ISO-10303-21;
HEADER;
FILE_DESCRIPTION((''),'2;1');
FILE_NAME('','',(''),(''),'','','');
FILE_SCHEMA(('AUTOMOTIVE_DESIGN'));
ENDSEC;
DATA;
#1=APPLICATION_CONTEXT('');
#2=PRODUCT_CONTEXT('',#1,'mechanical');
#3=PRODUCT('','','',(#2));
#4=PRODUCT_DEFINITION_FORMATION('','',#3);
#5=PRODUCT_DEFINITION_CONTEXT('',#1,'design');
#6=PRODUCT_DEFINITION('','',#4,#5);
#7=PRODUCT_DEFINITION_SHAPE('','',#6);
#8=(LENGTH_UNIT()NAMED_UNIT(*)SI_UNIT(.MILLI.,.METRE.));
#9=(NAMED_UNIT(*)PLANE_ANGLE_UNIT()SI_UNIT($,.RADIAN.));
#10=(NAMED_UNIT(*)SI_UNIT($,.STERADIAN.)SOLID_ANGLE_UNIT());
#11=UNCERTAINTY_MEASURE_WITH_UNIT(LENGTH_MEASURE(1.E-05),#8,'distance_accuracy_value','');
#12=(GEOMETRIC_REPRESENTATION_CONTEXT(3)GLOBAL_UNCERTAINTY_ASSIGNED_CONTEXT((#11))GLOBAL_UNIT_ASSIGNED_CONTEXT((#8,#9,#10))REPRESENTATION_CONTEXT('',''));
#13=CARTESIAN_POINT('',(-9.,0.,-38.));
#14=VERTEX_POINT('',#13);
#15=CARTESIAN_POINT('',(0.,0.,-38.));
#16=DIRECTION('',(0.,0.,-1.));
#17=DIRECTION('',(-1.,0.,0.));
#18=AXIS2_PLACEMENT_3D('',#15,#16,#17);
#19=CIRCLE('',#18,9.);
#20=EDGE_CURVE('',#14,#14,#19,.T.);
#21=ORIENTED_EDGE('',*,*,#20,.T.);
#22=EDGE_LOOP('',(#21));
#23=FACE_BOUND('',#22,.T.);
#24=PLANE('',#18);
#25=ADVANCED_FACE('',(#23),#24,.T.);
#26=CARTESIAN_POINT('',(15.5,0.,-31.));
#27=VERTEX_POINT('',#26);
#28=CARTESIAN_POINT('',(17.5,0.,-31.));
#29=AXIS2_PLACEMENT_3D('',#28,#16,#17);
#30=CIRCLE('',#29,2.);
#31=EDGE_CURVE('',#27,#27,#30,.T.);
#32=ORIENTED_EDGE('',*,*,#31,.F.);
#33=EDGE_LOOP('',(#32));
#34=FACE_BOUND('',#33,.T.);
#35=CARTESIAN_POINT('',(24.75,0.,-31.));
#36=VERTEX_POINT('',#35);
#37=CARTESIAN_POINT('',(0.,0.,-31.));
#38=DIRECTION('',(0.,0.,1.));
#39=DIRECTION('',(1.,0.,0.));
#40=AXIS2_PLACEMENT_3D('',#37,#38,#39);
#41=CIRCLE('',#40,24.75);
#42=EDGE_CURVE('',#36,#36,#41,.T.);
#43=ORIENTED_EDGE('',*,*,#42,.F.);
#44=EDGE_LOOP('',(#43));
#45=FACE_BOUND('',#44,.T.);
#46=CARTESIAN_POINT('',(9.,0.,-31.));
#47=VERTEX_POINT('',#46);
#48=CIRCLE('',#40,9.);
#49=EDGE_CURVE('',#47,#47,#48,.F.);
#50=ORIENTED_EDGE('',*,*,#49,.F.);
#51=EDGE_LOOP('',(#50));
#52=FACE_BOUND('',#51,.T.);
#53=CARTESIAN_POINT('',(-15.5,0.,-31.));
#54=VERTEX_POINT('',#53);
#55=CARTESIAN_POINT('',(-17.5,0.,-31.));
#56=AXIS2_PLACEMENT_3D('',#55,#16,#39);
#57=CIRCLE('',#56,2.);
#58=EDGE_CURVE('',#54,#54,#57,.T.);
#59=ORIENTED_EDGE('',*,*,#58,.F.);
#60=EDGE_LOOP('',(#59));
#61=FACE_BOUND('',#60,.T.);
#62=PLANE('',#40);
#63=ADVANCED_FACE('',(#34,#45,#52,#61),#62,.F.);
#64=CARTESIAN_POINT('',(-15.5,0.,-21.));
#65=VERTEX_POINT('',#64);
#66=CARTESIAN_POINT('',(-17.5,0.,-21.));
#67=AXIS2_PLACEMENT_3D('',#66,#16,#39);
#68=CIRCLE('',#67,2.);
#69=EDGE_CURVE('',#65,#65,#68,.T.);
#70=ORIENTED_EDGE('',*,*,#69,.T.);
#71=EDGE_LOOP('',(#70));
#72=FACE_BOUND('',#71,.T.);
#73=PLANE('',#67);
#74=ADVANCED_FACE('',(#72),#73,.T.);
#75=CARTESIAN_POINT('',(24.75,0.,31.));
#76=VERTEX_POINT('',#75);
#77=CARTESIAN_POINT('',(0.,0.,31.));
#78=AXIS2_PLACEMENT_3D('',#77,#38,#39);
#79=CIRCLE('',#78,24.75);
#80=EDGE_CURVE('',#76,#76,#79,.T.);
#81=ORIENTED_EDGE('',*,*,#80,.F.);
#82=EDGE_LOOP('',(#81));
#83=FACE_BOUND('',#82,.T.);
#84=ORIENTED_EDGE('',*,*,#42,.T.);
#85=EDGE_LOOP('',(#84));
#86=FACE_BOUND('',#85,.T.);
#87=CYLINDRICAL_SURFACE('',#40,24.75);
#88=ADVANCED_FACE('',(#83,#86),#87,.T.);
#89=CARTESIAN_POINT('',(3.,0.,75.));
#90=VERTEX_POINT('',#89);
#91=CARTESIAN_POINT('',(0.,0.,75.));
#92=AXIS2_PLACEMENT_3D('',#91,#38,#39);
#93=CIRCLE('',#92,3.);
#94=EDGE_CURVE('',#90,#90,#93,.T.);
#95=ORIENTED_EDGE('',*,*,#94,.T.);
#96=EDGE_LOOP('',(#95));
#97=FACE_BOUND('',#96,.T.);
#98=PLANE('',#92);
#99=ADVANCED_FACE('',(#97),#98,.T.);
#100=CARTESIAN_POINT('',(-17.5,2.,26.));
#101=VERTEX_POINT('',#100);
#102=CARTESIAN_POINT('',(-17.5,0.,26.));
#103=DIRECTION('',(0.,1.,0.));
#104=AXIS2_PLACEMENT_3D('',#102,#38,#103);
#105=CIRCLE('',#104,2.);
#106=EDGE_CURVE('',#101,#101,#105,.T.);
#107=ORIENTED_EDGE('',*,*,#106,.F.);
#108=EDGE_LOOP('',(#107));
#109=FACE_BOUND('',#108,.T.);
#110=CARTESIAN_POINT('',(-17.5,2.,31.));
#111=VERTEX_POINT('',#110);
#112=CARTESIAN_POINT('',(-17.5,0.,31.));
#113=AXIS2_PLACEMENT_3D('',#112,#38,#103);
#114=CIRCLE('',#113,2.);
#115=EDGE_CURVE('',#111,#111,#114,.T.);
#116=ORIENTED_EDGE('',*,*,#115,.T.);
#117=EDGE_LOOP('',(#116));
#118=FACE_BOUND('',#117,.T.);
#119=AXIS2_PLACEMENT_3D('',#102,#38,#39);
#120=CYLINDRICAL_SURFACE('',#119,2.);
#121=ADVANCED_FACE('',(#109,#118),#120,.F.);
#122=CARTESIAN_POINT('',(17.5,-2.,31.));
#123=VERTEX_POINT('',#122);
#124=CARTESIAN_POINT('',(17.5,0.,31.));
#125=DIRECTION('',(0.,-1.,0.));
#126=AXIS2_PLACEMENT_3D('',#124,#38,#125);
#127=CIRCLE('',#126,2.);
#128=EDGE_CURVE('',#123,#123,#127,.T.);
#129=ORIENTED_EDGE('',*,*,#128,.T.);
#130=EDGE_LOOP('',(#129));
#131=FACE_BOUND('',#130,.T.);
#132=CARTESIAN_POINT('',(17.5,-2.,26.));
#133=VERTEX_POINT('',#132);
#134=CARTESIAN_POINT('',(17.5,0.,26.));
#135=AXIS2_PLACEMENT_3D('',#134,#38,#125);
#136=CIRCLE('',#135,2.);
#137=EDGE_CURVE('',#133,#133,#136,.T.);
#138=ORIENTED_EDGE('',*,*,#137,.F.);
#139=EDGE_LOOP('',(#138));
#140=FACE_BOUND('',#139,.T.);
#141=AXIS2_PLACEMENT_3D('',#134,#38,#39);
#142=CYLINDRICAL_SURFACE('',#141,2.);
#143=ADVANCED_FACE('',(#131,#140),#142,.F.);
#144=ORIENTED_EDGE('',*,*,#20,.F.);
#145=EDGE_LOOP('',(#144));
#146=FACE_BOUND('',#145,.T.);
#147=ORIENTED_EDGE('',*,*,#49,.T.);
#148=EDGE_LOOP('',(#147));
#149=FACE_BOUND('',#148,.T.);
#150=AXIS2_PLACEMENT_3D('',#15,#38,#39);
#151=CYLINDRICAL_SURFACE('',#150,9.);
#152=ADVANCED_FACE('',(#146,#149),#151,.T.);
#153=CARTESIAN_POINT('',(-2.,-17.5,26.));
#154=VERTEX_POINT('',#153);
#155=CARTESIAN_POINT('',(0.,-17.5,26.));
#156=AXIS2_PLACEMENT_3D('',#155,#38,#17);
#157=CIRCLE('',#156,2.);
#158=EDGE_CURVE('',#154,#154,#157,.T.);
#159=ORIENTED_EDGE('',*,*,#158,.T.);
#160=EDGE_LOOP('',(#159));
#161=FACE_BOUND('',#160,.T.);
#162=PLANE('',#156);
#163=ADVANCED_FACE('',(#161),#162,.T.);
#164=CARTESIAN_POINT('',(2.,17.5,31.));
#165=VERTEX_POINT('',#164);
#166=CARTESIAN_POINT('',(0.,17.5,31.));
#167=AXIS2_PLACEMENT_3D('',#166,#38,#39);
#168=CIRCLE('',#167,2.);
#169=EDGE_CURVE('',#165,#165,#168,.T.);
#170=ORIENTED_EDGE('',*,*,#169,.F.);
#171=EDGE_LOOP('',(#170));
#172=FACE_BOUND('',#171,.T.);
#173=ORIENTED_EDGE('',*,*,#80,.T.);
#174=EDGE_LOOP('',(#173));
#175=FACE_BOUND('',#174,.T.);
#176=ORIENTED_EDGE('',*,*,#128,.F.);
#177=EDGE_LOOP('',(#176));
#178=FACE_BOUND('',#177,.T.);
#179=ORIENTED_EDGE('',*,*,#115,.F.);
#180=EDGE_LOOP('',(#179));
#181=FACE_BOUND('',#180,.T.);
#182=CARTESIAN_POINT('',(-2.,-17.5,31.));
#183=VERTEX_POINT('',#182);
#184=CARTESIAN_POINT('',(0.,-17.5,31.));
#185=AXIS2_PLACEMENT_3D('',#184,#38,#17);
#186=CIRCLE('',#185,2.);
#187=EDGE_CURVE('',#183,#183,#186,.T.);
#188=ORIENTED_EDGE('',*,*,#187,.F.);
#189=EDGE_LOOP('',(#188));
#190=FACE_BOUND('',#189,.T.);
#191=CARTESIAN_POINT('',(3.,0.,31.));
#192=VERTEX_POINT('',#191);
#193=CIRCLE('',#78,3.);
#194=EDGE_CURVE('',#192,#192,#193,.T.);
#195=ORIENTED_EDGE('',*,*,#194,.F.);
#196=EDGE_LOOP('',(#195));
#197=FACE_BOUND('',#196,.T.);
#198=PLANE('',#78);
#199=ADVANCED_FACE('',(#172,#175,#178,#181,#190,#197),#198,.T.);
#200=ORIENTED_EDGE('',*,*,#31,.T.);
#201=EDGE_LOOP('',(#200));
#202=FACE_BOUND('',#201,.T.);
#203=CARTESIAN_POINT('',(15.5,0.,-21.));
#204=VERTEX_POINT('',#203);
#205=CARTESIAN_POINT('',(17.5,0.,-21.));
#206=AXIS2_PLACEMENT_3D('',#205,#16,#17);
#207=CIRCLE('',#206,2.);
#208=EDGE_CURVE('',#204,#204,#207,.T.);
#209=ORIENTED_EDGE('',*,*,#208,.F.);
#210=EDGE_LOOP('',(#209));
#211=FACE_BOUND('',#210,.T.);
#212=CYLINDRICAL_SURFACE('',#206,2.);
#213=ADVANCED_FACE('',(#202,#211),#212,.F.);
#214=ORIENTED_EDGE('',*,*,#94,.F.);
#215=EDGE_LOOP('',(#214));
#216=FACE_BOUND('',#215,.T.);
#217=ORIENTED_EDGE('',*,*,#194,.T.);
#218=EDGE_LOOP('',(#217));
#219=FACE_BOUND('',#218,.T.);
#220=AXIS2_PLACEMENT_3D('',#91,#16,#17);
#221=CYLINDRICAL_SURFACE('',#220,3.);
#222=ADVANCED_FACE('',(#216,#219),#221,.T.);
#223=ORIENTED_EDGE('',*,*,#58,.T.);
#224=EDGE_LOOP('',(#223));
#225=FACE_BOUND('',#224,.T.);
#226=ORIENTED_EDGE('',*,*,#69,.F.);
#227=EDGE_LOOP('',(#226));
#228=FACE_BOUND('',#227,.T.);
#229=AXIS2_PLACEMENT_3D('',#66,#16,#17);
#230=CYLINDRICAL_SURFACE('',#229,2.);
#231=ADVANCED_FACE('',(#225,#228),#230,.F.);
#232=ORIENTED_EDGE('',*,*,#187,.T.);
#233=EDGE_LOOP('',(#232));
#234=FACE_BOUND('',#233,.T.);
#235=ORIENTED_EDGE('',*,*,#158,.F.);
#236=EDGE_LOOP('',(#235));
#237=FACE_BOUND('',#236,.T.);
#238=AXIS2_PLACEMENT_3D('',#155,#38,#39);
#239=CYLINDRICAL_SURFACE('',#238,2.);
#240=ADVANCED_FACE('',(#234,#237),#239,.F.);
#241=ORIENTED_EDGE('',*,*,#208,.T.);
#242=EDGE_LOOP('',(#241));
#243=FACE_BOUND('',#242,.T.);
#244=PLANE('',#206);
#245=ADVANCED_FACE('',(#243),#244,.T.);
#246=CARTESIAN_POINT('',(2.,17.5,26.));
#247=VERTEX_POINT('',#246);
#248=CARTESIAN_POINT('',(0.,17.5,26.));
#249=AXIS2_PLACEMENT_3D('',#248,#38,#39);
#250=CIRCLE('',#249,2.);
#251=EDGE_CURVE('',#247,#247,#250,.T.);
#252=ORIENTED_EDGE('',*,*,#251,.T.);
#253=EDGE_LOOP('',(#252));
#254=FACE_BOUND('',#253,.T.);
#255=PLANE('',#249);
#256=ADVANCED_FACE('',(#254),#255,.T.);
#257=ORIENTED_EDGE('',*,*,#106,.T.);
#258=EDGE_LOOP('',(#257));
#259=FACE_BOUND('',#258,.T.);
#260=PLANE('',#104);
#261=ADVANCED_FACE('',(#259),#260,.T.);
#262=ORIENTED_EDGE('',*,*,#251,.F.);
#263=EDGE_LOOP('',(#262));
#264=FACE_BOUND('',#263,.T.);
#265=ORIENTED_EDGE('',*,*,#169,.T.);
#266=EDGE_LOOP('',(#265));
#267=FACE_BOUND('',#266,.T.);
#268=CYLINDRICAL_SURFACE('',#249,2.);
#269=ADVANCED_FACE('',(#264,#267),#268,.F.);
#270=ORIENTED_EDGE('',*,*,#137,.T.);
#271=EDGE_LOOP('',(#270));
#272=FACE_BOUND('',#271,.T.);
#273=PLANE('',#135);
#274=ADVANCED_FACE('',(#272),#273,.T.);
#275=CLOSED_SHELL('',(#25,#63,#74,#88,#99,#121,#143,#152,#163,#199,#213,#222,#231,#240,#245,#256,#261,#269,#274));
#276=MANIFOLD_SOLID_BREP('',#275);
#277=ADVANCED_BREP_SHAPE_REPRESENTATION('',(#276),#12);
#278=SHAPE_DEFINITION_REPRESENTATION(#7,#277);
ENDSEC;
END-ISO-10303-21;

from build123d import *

# Parameters (mm, degrees)
SKETCH1_R           = 24.75
BOSS_EXTRUDE1_DEPTH = 31
SKETCH2_R           = 3
BOSS_EXTRUDE2_DEPTH = 44
SKETCH6_R           = 2
CUT_EXTRUDE3_DEPTH  = 5
CIRPATTERN1_COUNT   = 4
SKETCH5_R           = 2
CUT_EXTRUDE2_DEPTH  = 10
CIRPATTERN2_COUNT   = 2
SKETCH7_R           = 9
BOSS_EXTRUDE3_DEPTH = 7


with BuildPart() as part:
    # Sketch1 → Boss-Extrude1 (new body, symmetric)
    with BuildSketch(Plane.XY):
        Circle(SKETCH1_R)
    extrude(amount=BOSS_EXTRUDE1_DEPTH, both=True)

    # Sketch2 → Boss-Extrude2 (add)
    with BuildSketch(Plane.XY.offset(31)):
        Circle(SKETCH2_R)
    extrude(amount=BOSS_EXTRUDE2_DEPTH)

    # Sketch6 → Cut-Extrude3 (cut)
    with BuildSketch(Plane.XY.offset(31)):
        with Locations((0, 17.5)):
            Circle(SKETCH6_R)
    cut_extrude3 = extrude(amount=-CUT_EXTRUDE3_DEPTH, mode=Mode.SUBTRACT)

    # CirPattern1: Cut-Extrude3 ×4 about axis
    cirpattern1_axis = Axis((0, 0, 0), (0, 0, 1))
    for i in range(1, CIRPATTERN1_COUNT):
        add(cut_extrude3.rotate(cirpattern1_axis, i * 360 / CIRPATTERN1_COUNT), mode=Mode.SUBTRACT)

    # Sketch5 → Cut-Extrude2 (cut)
    with BuildSketch(Plane(origin=(0, 0, -31), x_dir=(-1, 0, 0), z_dir=(0, 0, -1))):
        with Locations((-17.5, 0)):
            Circle(SKETCH5_R)
    cut_extrude2 = extrude(amount=-CUT_EXTRUDE2_DEPTH, mode=Mode.SUBTRACT)

    # CirPattern2: Cut-Extrude2 ×2 about axis
    cirpattern2_axis = Axis((0, 0, 0), (0, 0, 1))
    for i in range(1, CIRPATTERN2_COUNT):
        add(cut_extrude2.rotate(cirpattern2_axis, i * 360 / CIRPATTERN2_COUNT), mode=Mode.SUBTRACT)

    # Sketch7 → Boss-Extrude3 (add)
    with BuildSketch(Plane(origin=(0, 0, -31), x_dir=(-1, 0, 0), z_dir=(0, 0, -1))):
        Circle(SKETCH7_R)
    extrude(amount=BOSS_EXTRUDE3_DEPTH)


solid = part.part
